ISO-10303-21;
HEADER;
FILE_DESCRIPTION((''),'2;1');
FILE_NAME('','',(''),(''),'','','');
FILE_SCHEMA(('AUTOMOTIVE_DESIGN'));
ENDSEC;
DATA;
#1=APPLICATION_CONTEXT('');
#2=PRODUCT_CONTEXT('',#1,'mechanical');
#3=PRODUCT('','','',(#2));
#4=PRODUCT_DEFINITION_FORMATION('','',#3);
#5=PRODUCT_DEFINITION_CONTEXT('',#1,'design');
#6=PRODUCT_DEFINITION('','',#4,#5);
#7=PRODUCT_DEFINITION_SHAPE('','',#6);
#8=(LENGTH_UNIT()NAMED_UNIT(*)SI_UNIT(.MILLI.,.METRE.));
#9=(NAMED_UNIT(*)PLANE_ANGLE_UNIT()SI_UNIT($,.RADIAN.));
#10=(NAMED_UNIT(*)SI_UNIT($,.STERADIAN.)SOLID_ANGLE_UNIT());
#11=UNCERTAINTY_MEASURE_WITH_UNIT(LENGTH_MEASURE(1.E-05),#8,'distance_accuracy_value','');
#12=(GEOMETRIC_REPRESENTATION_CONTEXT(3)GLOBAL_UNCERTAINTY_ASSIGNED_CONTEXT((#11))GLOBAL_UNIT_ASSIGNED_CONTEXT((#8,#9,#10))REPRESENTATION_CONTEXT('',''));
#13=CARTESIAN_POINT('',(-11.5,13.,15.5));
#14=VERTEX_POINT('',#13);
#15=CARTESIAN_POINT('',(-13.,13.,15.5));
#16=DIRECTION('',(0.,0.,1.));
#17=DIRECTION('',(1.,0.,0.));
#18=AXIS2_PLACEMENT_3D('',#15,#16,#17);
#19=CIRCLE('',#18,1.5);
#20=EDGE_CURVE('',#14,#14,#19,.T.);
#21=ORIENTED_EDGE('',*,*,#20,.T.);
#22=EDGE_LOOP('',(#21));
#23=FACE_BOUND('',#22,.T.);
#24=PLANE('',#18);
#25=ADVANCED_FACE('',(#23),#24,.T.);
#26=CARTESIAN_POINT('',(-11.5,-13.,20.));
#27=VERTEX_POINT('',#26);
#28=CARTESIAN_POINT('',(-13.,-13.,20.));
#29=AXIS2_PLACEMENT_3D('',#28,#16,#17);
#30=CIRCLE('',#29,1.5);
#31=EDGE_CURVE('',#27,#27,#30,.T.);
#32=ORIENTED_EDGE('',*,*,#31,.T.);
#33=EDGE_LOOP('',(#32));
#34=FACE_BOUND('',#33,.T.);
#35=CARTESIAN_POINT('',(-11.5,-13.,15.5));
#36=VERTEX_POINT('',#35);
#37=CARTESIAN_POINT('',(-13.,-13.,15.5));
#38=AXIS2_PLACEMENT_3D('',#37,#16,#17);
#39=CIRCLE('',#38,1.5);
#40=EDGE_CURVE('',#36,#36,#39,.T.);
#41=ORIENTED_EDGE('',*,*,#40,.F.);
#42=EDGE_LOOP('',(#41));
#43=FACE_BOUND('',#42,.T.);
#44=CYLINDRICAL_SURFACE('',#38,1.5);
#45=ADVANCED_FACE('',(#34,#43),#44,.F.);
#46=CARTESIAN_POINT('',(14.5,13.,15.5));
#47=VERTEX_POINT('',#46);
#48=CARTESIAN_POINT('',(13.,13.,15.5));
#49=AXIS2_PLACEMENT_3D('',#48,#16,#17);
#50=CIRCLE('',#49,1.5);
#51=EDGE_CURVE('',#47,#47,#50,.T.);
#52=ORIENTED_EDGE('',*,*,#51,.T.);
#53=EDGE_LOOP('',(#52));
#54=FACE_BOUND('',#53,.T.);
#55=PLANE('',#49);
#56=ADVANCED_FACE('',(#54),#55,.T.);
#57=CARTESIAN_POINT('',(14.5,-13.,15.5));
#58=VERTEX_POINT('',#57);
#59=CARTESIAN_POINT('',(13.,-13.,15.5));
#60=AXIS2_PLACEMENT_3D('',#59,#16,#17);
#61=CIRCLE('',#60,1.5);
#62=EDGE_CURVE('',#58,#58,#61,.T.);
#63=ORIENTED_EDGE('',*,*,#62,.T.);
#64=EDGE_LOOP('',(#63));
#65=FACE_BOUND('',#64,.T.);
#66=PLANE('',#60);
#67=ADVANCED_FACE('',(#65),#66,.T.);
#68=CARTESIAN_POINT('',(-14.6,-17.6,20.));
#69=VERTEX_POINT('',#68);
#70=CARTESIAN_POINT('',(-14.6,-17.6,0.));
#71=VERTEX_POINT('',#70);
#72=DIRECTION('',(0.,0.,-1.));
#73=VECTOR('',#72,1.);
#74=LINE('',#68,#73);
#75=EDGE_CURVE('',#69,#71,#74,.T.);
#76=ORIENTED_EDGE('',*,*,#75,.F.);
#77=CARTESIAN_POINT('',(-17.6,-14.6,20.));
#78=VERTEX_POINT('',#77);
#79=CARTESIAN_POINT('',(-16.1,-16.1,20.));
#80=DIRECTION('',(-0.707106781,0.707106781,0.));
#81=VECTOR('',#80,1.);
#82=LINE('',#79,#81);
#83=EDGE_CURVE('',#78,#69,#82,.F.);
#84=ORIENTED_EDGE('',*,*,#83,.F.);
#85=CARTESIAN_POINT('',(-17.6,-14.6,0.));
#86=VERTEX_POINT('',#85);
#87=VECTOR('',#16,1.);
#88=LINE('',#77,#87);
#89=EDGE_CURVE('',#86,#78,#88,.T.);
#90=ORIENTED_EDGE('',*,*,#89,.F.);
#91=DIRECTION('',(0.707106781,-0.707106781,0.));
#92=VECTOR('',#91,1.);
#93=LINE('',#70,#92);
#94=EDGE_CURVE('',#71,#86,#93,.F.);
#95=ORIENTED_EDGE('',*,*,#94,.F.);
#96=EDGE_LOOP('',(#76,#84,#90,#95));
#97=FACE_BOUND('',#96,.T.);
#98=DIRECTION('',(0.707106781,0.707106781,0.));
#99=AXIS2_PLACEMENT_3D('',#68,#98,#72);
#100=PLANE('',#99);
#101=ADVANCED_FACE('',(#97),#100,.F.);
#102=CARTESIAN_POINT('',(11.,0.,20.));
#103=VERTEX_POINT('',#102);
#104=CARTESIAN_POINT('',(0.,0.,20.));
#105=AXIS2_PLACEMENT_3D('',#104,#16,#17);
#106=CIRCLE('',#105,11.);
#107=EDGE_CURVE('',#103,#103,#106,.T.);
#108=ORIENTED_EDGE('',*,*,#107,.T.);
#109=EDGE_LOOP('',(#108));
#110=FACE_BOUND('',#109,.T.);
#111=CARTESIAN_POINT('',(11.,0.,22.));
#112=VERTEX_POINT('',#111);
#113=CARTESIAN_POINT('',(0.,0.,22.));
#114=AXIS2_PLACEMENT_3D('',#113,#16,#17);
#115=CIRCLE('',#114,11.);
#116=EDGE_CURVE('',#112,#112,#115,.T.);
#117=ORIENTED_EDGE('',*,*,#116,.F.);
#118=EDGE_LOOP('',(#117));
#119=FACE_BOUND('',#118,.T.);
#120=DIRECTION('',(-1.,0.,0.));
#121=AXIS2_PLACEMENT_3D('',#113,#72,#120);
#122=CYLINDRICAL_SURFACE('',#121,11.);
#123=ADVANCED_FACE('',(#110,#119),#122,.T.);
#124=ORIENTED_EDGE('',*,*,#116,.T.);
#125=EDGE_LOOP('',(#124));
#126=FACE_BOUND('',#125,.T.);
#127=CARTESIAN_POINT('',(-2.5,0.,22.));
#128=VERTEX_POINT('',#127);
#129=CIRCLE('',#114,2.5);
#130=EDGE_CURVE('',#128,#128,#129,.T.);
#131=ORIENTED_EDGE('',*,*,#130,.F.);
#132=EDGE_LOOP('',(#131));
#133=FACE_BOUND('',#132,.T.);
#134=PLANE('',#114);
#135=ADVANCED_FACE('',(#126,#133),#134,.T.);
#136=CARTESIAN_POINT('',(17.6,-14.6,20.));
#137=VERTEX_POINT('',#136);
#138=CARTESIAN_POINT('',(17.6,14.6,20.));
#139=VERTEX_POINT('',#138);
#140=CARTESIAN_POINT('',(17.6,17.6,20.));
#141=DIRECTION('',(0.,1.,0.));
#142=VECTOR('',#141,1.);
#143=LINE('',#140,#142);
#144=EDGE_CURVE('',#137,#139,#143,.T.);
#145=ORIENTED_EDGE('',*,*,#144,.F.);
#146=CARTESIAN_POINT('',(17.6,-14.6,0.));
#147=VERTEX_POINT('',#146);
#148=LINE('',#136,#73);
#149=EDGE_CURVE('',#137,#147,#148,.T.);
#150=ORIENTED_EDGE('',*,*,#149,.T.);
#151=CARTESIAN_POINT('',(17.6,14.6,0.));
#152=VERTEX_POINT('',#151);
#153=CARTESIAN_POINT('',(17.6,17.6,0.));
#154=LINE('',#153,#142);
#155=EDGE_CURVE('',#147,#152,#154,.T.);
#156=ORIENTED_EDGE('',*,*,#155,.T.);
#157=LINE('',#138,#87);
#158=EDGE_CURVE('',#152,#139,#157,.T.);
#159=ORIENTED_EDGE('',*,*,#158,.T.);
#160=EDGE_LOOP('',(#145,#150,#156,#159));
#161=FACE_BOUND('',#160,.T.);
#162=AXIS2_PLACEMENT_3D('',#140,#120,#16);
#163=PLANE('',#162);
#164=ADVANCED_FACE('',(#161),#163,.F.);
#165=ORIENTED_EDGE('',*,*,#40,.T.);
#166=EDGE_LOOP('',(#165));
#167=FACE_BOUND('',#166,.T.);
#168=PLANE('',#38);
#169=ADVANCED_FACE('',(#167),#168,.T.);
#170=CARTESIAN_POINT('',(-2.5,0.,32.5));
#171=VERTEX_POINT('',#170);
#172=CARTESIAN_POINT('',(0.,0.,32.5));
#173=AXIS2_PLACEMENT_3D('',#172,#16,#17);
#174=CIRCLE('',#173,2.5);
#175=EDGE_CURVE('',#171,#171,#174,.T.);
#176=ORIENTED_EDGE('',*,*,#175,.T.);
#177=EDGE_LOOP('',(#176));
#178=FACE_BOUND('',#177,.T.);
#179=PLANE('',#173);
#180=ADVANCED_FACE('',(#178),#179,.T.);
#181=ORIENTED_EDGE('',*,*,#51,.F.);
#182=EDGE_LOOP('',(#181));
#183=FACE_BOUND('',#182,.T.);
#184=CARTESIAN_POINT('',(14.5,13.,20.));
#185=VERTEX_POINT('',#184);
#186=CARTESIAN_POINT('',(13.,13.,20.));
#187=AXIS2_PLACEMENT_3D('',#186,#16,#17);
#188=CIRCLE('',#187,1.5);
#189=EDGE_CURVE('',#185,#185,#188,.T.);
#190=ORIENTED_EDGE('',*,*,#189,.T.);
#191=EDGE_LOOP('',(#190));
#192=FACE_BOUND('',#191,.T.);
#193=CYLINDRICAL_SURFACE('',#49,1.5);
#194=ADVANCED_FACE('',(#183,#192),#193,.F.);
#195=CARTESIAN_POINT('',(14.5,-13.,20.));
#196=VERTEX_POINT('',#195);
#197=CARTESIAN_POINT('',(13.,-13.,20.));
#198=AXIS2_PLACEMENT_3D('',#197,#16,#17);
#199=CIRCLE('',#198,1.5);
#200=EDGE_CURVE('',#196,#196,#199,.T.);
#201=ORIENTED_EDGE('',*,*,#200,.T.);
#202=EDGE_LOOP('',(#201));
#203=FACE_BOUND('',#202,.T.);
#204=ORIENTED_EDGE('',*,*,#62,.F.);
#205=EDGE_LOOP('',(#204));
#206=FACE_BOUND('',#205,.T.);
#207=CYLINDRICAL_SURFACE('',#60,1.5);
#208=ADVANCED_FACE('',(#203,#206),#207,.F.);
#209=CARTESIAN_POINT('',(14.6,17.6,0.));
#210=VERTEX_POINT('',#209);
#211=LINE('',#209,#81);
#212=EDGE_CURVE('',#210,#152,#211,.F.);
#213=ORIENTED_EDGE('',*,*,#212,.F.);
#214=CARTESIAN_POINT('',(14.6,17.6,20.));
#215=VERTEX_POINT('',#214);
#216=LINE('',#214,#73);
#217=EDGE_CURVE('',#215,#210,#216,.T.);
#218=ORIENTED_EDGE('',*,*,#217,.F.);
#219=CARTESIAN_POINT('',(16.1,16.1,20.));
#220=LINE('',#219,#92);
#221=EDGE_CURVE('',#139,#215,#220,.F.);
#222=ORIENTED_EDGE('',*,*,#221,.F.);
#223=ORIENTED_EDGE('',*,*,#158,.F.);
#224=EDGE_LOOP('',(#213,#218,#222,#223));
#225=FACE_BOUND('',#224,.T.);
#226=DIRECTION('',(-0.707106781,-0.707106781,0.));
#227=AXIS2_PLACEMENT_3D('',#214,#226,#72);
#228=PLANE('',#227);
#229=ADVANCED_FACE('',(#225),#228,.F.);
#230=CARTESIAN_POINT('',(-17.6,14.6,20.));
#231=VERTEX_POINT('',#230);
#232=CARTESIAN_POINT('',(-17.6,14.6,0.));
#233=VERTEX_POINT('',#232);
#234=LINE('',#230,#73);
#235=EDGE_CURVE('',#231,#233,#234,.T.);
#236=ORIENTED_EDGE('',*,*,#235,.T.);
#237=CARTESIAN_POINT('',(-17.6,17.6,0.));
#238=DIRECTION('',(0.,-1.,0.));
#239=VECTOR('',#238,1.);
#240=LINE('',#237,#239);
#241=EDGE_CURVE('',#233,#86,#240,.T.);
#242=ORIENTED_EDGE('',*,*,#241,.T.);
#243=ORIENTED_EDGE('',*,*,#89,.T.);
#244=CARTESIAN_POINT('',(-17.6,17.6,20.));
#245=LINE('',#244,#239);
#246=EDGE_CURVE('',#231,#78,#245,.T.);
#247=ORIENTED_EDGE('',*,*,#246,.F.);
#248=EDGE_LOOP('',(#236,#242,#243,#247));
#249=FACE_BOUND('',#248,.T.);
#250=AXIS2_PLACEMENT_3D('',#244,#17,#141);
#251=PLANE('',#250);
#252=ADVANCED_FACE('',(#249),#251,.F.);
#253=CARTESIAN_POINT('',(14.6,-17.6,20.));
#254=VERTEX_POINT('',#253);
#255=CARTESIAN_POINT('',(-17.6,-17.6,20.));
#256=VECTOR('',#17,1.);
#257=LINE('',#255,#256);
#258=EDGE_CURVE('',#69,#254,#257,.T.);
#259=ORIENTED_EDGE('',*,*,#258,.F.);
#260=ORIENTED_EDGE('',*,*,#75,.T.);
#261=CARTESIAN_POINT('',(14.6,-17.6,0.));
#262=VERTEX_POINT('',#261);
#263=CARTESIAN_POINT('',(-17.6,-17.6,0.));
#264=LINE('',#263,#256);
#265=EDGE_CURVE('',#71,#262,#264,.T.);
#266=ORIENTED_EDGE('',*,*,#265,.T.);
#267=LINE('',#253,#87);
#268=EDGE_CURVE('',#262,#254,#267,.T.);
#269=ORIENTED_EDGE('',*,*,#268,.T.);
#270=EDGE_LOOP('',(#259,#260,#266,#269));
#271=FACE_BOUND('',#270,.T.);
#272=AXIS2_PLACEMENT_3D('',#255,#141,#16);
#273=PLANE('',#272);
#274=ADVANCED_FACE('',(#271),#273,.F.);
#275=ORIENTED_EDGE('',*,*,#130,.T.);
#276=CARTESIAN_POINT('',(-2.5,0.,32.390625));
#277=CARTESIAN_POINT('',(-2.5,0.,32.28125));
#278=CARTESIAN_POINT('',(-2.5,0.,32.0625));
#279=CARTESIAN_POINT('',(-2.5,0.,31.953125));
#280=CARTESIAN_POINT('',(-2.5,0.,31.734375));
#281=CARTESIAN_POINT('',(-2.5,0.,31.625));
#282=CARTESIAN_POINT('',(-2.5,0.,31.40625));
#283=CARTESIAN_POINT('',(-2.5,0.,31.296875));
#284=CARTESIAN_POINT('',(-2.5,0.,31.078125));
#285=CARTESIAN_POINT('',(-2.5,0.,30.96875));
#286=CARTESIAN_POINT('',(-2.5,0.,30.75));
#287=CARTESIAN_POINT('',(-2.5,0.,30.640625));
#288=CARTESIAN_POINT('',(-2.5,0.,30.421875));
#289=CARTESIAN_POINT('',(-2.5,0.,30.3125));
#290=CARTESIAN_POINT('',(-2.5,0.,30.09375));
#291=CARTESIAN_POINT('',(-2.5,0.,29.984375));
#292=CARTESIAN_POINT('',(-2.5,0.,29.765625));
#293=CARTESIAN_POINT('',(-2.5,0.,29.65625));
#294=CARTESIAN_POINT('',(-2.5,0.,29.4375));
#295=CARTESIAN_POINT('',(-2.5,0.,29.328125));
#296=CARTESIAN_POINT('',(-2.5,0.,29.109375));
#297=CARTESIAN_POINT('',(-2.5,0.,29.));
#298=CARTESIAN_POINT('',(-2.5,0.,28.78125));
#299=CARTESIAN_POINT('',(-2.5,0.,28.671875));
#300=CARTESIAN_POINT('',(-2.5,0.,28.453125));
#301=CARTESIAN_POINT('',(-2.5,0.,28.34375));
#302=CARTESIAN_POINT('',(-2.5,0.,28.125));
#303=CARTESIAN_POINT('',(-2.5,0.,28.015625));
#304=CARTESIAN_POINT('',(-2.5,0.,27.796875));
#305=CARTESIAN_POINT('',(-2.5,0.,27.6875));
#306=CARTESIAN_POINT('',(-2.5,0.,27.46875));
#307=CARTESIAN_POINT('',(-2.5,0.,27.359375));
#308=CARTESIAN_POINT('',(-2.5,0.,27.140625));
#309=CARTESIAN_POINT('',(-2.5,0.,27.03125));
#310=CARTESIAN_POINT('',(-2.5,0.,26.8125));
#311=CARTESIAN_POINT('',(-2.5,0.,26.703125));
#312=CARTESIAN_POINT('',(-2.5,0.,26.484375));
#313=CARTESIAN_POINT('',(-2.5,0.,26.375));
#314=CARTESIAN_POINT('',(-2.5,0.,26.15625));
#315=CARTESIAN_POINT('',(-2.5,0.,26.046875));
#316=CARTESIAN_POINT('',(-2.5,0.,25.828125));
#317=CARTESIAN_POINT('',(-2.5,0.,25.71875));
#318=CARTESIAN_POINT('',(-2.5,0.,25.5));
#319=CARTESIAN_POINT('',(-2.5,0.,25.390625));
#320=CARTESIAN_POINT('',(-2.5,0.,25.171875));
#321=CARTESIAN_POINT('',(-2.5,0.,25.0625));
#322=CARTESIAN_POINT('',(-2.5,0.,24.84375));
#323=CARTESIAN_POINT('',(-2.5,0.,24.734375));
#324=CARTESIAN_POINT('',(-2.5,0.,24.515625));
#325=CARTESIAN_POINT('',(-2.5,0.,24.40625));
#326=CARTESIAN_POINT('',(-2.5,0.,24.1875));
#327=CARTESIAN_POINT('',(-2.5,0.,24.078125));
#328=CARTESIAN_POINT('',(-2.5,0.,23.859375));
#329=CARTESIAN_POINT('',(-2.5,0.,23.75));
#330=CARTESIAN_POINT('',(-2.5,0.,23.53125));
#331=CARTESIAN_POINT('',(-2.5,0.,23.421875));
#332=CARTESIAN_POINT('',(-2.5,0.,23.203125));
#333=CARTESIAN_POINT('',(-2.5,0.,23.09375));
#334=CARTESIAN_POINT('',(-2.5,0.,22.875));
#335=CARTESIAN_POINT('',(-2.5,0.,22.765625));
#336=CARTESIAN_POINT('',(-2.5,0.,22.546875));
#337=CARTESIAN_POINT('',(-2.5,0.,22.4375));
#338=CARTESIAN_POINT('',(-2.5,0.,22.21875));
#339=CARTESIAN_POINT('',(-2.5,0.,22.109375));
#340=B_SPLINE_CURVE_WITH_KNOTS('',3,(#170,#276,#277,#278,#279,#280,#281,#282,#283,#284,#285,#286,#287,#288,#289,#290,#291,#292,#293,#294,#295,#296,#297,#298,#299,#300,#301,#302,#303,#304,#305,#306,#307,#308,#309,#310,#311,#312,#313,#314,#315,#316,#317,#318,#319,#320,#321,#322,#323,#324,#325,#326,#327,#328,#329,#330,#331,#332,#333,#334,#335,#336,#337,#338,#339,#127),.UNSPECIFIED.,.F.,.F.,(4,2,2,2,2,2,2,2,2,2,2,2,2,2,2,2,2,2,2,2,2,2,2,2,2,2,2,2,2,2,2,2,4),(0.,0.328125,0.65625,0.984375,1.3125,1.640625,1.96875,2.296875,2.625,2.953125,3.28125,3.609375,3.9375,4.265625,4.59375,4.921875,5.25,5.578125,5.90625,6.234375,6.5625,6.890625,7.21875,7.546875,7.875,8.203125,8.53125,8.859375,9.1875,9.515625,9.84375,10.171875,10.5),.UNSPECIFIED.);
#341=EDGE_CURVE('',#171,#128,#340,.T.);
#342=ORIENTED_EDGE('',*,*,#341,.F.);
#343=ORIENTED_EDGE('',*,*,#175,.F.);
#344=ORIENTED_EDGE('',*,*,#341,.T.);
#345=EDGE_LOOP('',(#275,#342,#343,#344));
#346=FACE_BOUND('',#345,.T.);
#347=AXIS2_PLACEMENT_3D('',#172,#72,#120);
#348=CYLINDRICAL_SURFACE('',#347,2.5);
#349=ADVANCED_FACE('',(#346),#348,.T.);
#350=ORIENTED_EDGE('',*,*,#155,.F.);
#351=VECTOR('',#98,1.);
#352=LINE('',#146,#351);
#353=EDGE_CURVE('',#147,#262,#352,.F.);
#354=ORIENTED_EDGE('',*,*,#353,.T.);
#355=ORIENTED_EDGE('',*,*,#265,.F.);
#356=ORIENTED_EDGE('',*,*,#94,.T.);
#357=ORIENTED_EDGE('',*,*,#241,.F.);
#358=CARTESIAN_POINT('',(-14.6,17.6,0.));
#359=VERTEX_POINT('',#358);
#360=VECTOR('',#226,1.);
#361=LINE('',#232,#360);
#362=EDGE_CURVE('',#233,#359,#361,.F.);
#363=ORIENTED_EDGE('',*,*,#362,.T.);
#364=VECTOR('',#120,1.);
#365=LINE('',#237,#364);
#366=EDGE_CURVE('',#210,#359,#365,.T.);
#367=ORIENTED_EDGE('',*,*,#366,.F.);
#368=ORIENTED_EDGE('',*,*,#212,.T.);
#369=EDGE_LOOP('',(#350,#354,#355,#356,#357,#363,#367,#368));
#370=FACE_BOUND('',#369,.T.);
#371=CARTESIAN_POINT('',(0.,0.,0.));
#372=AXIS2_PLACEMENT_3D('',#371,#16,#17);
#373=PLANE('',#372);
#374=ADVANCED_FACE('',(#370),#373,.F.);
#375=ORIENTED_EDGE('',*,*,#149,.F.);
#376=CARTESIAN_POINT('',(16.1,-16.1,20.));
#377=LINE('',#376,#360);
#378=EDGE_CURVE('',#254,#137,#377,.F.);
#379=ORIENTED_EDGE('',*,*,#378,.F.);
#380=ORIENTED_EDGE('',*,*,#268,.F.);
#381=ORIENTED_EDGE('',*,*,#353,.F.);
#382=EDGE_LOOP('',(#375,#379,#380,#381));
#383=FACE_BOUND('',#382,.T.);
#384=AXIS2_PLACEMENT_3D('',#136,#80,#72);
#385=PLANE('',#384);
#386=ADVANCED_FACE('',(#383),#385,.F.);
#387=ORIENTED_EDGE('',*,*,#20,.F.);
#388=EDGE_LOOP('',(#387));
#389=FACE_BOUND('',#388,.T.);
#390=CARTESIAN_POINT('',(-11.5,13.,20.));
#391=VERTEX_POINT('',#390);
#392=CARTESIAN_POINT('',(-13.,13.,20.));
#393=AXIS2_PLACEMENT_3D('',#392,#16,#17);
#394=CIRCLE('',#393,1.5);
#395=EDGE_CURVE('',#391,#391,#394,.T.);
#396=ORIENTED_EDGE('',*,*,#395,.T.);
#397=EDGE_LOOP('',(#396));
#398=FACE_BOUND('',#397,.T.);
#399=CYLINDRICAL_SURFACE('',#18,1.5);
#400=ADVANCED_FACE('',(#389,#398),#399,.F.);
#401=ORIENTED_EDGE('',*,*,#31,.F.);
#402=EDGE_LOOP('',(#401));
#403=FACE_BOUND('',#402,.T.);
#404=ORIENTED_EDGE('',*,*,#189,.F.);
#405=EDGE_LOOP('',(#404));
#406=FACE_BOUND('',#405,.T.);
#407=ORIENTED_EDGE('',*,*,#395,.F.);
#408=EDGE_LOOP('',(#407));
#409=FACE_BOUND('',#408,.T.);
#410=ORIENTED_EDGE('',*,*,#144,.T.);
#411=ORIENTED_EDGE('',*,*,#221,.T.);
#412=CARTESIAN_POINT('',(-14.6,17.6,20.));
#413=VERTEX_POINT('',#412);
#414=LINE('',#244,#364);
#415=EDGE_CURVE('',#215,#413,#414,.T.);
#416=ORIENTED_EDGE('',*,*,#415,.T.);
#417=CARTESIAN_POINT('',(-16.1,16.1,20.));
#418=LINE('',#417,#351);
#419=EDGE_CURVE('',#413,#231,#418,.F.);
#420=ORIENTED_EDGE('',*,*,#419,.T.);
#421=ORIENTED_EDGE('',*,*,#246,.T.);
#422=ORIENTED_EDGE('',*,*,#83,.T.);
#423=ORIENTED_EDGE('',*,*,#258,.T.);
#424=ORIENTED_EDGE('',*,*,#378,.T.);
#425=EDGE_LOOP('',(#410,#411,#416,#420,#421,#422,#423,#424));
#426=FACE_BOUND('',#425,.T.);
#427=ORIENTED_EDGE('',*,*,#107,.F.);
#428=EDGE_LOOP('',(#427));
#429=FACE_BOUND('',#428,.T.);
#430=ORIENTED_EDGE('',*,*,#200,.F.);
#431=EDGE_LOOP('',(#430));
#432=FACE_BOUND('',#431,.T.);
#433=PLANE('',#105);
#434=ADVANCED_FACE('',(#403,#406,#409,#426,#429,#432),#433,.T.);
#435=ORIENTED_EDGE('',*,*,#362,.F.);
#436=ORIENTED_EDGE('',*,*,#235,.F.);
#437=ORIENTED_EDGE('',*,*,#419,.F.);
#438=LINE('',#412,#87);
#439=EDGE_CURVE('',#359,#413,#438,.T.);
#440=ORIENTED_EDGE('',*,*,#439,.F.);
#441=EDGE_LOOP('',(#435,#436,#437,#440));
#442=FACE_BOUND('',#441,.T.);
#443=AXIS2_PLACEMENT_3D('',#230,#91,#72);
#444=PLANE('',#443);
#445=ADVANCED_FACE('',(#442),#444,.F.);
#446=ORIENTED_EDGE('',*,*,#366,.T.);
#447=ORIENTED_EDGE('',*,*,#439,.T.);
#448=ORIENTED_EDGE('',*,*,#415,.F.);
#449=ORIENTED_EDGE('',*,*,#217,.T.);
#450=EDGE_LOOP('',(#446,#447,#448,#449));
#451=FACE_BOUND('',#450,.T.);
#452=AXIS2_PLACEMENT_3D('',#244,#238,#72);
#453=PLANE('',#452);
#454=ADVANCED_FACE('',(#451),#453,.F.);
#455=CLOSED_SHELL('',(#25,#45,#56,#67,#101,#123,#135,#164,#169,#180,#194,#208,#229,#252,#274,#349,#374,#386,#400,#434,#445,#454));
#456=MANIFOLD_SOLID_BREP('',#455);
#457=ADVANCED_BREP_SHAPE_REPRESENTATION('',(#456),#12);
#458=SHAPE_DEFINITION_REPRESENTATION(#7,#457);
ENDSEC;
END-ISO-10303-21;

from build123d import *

# Parameters (mm, degrees)
SKETCH1_W           = 35.2
SKETCH1_H           = 35.2
BOSS_EXTRUDE1_DEPTH = 20
SKETCH2_R           = 11
BOSS_EXTRUDE2_DEPTH = 2
SKETCH3_R           = 2.5
BOSS_EXTRUDE3_DEPTH = 10.5
SKETCH4_R           = 1.5
CUT_EXTRUDE1_DEPTH  = 4.5
CHAMFER1_SIZE       = 3


with BuildPart() as part:
    # Sketch1 → Boss-Extrude1 (new body)
    with BuildSketch(Plane.XY):
        Rectangle(SKETCH1_W, SKETCH1_H)
    extrude(amount=BOSS_EXTRUDE1_DEPTH)

    # Sketch2 → Boss-Extrude2 (add)
    with BuildSketch(Plane.XY.offset(20)):
        Circle(SKETCH2_R)
    extrude(amount=BOSS_EXTRUDE2_DEPTH)

    # Sketch3 → Boss-Extrude3 (add)
    with BuildSketch(Plane.XY.offset(22)):
        with Locations(Location((0, 0, 0), (0, 0, 180))):
            Circle(SKETCH3_R)
    extrude(amount=BOSS_EXTRUDE3_DEPTH)

    # Sketch4 → Cut-Extrude1 (cut)
    with BuildSketch(Plane.XY.offset(20)):
        with Locations((13, 13)):
            Circle(SKETCH4_R)
        with Locations((13, -13)):
            Circle(SKETCH4_R)
        with Locations((-13, -13)):
            Circle(SKETCH4_R)
        with Locations((-13, 13)):
            Circle(SKETCH4_R)
    extrude(amount=-CUT_EXTRUDE1_DEPTH, mode=Mode.SUBTRACT)

    # Chamfer1
    chamfer1_edges = [part.edges().sort_by_distance(p)[0] for p in [
        (17.6, -17.6, 10),
        (-17.6, -17.6, 10),
        (-17.6, 17.6, 10),
        (17.6, 17.6, 10),
    ]]
    chamfer(chamfer1_edges, length=CHAMFER1_SIZE)


solid = part.part
